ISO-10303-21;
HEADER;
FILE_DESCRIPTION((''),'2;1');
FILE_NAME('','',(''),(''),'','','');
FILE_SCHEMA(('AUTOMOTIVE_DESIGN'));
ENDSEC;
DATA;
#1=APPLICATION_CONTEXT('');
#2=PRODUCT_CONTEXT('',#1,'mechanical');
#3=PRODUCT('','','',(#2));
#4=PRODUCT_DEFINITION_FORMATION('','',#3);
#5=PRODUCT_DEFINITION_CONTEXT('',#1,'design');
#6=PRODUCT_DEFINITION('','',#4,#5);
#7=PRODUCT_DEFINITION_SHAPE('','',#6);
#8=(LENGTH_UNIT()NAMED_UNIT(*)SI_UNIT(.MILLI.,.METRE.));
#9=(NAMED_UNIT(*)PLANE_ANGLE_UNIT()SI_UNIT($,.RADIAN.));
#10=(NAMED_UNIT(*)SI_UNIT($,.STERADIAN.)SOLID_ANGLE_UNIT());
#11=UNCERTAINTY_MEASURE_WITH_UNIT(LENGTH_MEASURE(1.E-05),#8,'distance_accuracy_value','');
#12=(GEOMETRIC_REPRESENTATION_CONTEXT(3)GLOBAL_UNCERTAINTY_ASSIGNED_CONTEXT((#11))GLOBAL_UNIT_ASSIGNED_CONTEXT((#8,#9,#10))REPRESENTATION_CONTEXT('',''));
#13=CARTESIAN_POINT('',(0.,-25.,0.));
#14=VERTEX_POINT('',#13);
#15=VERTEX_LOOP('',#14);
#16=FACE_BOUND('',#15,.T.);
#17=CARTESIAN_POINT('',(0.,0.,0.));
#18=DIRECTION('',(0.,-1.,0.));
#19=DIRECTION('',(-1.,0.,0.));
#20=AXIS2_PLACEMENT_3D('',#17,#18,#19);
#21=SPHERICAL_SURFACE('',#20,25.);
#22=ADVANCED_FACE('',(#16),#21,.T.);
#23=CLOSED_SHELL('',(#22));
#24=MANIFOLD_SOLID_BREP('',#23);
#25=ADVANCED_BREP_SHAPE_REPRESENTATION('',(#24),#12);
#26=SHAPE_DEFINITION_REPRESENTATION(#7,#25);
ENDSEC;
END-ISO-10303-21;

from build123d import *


with BuildPart() as part:
    # Skizze1 → Rotation1 (revolve)
    with BuildSketch(Plane.XY):
        with BuildLine():
            Line((0, 0), (0, 25))
            ThreePointArc((0, 25), (-25, 0), (0, -25))
            Line((0, -25), (0, 0))
        make_face()
    revolve(axis=Axis((0, 0, 0), (0, 1, 0)))


solid = part.part
